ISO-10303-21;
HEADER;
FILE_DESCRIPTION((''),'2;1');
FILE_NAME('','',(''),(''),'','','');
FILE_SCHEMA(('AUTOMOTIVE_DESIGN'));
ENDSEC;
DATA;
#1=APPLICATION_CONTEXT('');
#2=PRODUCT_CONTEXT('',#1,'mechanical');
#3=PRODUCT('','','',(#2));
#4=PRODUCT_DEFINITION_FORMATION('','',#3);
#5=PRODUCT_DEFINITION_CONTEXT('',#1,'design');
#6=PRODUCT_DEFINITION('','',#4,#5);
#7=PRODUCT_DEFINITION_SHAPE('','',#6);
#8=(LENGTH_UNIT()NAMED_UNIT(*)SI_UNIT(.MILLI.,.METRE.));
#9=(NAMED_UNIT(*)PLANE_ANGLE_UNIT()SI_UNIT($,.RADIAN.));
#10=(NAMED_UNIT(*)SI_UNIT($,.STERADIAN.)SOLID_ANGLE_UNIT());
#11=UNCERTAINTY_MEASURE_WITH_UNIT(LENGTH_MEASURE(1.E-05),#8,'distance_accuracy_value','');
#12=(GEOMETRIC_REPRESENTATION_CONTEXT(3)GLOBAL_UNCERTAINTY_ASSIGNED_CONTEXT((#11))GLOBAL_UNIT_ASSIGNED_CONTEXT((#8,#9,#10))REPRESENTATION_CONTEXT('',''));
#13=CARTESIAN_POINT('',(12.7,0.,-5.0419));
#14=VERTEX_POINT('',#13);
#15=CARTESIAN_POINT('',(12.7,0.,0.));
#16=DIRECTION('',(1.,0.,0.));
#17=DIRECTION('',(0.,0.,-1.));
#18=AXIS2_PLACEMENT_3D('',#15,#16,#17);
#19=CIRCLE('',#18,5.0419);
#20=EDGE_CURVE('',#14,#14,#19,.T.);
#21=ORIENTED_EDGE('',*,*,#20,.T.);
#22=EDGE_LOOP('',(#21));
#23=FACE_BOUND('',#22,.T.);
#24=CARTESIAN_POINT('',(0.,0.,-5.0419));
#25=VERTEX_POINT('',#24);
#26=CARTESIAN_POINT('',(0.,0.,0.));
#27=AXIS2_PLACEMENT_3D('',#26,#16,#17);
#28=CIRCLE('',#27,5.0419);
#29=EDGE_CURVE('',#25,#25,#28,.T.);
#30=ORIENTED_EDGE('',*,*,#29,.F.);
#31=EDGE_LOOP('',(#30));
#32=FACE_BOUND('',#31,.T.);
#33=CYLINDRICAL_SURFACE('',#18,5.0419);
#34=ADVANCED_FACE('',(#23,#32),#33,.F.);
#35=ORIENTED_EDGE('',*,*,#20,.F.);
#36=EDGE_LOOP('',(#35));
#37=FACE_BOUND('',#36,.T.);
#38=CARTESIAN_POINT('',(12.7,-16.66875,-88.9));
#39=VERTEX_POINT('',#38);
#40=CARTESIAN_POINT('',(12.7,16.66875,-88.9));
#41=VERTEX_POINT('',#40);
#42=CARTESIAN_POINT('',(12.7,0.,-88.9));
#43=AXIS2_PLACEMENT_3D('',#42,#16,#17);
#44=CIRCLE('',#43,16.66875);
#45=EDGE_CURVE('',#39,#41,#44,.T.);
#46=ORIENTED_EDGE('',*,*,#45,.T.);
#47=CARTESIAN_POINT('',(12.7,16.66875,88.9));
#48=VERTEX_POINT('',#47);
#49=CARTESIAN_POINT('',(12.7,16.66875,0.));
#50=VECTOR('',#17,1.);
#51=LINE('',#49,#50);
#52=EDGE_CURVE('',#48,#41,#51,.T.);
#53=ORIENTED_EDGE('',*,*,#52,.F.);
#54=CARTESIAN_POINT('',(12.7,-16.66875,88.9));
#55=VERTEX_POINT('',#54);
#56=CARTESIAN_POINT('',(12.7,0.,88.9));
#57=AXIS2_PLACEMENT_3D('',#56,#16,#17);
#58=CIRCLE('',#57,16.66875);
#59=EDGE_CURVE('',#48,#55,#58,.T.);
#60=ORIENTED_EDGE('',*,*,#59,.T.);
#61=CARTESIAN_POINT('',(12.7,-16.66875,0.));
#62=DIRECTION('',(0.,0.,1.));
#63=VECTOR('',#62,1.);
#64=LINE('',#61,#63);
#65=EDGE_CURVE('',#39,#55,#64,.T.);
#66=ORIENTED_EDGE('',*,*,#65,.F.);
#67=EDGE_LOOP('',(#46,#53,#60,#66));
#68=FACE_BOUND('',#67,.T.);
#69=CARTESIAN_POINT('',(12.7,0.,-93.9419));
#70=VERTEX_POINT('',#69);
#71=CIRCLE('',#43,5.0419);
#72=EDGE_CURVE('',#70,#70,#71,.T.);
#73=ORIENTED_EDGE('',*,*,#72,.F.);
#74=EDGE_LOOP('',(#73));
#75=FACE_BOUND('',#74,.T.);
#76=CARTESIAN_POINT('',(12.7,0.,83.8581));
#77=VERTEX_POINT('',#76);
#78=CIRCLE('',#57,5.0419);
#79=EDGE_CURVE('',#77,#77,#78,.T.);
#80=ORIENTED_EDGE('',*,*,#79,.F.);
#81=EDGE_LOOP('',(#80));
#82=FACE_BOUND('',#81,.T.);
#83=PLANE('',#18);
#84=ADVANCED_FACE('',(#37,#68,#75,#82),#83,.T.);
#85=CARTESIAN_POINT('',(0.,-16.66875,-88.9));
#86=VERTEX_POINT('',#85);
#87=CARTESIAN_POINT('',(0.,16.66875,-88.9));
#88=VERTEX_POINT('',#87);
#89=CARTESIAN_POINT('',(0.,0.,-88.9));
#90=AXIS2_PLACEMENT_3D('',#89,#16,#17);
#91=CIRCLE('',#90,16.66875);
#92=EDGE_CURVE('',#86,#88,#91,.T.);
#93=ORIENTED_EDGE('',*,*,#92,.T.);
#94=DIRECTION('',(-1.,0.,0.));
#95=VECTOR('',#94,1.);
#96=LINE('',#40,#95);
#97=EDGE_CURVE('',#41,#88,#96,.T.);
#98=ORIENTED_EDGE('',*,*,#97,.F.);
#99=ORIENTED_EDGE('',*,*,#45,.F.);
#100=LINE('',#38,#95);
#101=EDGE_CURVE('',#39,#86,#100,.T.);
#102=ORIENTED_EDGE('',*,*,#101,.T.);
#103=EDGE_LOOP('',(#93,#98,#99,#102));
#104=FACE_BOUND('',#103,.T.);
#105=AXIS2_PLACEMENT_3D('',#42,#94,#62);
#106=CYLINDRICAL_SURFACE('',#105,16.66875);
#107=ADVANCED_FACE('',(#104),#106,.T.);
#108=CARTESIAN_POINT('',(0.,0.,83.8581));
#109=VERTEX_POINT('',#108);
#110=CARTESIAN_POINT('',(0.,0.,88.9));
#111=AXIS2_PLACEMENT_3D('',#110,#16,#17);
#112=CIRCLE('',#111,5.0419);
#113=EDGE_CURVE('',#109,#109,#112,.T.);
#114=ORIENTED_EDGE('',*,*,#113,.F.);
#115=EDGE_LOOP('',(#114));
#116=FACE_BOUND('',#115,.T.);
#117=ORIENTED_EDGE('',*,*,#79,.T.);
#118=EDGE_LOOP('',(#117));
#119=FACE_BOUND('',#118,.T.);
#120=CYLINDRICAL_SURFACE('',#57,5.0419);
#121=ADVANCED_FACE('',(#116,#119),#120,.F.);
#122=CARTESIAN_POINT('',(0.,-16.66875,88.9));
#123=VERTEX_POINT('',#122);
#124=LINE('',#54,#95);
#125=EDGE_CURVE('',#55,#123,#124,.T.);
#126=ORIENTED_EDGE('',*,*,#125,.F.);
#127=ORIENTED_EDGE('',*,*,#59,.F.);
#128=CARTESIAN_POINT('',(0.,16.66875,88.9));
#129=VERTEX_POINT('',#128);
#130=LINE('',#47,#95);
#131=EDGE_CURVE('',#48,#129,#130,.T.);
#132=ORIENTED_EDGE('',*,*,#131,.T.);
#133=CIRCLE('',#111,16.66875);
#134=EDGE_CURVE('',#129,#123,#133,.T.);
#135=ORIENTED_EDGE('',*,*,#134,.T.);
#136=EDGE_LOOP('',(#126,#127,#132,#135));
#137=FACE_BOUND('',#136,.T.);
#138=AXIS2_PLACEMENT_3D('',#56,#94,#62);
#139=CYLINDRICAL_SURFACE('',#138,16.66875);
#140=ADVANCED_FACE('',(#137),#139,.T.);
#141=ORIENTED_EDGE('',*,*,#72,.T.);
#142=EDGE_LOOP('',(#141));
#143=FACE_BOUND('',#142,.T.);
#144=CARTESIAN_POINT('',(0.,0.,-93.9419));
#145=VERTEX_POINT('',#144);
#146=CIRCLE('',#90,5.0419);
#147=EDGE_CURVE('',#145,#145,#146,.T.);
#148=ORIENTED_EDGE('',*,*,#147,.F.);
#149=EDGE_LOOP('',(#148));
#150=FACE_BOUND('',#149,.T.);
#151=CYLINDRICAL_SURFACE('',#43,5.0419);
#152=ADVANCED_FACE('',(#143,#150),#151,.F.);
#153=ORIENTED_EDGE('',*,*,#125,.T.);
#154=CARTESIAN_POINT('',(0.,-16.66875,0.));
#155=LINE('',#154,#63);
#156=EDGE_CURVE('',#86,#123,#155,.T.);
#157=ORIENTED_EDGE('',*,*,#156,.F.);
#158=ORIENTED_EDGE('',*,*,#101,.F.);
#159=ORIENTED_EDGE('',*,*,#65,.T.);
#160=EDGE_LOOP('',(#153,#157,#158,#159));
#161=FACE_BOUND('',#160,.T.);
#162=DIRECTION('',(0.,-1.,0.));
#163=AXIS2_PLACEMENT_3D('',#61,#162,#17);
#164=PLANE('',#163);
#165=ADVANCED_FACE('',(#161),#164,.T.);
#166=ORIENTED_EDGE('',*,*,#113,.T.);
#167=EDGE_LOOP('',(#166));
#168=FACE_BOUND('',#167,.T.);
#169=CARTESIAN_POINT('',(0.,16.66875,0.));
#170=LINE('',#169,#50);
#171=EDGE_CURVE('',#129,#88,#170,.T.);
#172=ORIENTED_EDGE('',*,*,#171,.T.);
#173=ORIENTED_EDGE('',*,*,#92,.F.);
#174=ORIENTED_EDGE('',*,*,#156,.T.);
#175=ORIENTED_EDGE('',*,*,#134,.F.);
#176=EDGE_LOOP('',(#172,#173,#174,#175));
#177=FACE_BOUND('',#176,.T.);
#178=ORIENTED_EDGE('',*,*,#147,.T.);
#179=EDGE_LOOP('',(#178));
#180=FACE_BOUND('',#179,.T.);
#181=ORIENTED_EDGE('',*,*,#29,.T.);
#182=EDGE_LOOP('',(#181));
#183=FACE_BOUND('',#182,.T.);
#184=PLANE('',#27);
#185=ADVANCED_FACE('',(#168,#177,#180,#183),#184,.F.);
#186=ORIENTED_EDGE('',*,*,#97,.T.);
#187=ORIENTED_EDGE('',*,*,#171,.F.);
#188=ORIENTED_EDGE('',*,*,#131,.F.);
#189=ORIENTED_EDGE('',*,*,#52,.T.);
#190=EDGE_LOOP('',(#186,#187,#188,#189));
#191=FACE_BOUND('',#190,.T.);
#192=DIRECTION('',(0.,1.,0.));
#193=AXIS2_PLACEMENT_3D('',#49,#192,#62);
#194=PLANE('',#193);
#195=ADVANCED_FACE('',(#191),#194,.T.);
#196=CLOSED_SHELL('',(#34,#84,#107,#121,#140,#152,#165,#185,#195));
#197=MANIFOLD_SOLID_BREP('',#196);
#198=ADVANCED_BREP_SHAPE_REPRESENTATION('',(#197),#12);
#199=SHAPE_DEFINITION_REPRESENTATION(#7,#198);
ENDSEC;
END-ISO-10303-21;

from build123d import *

# Parameters (mm, degrees)
SKETCH1_R                   = 16.66875
BOSS_EXTRUDE1_DEPTH         = 12.7
F_3_8_CLEARANCE_HOLE1_D     = 10.0838
F_3_8_CLEARANCE_HOLE1_DEPTH = 12.7
F_3_8_CLEARANCE_HOLE1_TIP   = 3.029479155


with BuildPart() as part:
    # Sketch1 → Boss-Extrude1 (new body)
    with BuildSketch(Plane(origin=(0, 0, 0), x_dir=(0, 0, -1), z_dir=(1, 0, 0))):
        with Locations((-88.9, 0)):
            Circle(SKETCH1_R)
        with BuildLine():
            Line((88.9, 16.66875), (-88.9, 16.66875))
            ThreePointArc((-88.9, 16.66875), (-77.113413841, 11.786586159), (-72.23125, 0))
            ThreePointArc((-72.23125, 0), (-77.113413841, -11.786586159), (-88.9, -16.66875))
            Line((-88.9, -16.66875), (88.9, -16.66875))
            ThreePointArc((88.9, -16.66875), (72.23125, 0), (88.9, 16.66875))
        make_face()
        with BuildLine():
            ThreePointArc((105.56875, 0), (100.686586159, 11.786586159), (88.9, 16.66875))
            Line((88.9, 16.66875), (88.9, -16.66875))
            ThreePointArc((88.9, -16.66875), (100.686586159, -11.786586159), (105.56875, 0))
        make_face()
        with BuildLine():
            Line((88.9, -16.66875), (88.9, 16.66875))
            ThreePointArc((88.9, 16.66875), (72.23125, 0), (88.9, -16.66875))
        make_face()
    extrude(amount=BOSS_EXTRUDE1_DEPTH)

    # 3/8 Clearance Hole1
    with Locations(Plane(origin=(12.7, 0, 0), x_dir=(0, 0, -1), z_dir=(1, 0, 0))):
        with Locations((0, 0), (88.9, 0), (-88.9, 0)):
            Hole(F_3_8_CLEARANCE_HOLE1_D / 2, depth=F_3_8_CLEARANCE_HOLE1_DEPTH)
            with Locations((0, 0, -(F_3_8_CLEARANCE_HOLE1_DEPTH + F_3_8_CLEARANCE_HOLE1_TIP / 2))):  # 118° drill point
                Cone(0, F_3_8_CLEARANCE_HOLE1_D / 2, F_3_8_CLEARANCE_HOLE1_TIP, mode=Mode.SUBTRACT)


solid = part.part
